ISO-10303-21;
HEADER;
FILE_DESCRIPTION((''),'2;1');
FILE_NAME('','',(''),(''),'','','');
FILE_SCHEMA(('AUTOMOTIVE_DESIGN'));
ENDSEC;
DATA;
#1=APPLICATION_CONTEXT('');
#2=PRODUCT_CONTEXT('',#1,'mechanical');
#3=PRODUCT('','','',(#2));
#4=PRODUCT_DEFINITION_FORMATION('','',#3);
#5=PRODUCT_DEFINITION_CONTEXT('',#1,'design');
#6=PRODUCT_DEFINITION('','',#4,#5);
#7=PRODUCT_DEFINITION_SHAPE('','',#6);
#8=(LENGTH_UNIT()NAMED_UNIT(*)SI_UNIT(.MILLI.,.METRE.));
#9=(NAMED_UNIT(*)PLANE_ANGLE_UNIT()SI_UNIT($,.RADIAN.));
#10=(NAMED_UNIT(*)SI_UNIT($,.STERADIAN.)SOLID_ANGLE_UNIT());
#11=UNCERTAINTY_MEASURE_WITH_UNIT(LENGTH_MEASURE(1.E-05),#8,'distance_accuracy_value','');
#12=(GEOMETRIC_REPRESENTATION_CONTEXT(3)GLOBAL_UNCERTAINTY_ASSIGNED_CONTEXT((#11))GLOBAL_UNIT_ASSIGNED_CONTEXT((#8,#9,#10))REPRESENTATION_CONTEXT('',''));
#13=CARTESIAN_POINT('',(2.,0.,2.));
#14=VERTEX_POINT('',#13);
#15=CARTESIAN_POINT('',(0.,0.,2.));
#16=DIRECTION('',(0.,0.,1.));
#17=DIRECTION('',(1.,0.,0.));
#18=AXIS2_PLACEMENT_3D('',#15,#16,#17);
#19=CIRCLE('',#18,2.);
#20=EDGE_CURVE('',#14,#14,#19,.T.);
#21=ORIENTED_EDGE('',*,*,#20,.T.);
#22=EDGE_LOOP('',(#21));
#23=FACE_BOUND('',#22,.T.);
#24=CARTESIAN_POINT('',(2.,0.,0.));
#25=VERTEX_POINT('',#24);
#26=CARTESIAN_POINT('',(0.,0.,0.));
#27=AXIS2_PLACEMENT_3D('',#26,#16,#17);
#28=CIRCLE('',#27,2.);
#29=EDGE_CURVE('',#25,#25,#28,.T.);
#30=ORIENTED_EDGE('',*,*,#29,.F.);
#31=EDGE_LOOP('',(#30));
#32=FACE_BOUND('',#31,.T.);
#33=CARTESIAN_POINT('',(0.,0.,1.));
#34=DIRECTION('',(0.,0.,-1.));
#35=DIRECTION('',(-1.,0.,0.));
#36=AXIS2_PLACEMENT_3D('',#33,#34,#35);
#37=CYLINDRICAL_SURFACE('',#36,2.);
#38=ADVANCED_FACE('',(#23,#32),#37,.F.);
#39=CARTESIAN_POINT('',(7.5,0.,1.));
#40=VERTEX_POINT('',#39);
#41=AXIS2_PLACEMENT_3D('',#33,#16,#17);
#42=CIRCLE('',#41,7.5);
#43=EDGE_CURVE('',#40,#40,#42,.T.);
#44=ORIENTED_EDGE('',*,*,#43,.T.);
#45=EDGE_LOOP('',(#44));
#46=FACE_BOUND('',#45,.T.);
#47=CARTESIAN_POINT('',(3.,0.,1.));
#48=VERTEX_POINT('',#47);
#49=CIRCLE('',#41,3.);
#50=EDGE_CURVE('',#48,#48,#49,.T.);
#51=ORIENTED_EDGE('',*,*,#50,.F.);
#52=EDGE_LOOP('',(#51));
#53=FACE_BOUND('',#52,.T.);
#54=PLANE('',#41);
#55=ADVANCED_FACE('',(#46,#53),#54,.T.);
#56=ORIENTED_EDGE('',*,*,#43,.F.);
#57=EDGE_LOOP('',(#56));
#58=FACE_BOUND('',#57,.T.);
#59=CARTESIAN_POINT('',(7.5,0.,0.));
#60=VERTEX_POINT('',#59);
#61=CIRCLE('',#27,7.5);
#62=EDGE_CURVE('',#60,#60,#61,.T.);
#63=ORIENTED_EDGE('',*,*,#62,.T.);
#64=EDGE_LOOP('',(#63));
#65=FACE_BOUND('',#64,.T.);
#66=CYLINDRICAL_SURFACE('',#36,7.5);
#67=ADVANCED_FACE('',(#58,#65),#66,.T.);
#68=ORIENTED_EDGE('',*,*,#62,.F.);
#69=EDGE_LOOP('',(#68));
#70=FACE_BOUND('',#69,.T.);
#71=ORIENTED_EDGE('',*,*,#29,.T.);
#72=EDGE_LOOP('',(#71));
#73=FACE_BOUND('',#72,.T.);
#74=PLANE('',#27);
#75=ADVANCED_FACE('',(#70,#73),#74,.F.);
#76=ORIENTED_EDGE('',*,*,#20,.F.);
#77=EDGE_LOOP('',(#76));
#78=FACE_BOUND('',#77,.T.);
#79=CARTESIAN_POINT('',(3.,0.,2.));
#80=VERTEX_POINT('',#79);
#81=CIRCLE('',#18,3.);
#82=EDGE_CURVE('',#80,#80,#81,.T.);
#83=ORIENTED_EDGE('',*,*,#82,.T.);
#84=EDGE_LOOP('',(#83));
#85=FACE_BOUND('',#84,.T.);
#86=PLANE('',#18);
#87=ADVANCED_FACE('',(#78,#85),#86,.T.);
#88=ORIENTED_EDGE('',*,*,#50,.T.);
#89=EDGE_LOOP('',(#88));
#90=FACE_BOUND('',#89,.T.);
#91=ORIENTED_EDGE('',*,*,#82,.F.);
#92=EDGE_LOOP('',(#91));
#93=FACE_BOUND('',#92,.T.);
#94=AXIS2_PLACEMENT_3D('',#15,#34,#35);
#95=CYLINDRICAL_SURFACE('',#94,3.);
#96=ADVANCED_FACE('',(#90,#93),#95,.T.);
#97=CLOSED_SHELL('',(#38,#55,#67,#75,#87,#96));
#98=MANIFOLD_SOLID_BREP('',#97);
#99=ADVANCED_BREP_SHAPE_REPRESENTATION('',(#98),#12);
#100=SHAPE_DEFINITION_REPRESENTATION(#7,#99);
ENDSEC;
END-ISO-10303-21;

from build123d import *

# Parameters (mm, degrees)
SKETCH1_R      = 7.5
SKETCH1_R_2    = 2
EXTRUDE1_DEPTH = 1
SKETCH2_R      = 3
SKETCH2_R_2    = 2
EXTRUDE2_DEPTH = 1


with BuildPart() as part:
    # Sketch1 → Extrude1 (new body)
    with BuildSketch(Plane.XY):
        Circle(SKETCH1_R)
        Circle(SKETCH1_R_2, mode=Mode.SUBTRACT)
    extrude(amount=EXTRUDE1_DEPTH)

    # Sketch2 → Extrude2 (add)
    with BuildSketch(Plane.XY.offset(1)):
        Circle(SKETCH2_R)
        Circle(SKETCH2_R_2, mode=Mode.SUBTRACT)
    extrude(amount=EXTRUDE2_DEPTH)


solid = part.part
